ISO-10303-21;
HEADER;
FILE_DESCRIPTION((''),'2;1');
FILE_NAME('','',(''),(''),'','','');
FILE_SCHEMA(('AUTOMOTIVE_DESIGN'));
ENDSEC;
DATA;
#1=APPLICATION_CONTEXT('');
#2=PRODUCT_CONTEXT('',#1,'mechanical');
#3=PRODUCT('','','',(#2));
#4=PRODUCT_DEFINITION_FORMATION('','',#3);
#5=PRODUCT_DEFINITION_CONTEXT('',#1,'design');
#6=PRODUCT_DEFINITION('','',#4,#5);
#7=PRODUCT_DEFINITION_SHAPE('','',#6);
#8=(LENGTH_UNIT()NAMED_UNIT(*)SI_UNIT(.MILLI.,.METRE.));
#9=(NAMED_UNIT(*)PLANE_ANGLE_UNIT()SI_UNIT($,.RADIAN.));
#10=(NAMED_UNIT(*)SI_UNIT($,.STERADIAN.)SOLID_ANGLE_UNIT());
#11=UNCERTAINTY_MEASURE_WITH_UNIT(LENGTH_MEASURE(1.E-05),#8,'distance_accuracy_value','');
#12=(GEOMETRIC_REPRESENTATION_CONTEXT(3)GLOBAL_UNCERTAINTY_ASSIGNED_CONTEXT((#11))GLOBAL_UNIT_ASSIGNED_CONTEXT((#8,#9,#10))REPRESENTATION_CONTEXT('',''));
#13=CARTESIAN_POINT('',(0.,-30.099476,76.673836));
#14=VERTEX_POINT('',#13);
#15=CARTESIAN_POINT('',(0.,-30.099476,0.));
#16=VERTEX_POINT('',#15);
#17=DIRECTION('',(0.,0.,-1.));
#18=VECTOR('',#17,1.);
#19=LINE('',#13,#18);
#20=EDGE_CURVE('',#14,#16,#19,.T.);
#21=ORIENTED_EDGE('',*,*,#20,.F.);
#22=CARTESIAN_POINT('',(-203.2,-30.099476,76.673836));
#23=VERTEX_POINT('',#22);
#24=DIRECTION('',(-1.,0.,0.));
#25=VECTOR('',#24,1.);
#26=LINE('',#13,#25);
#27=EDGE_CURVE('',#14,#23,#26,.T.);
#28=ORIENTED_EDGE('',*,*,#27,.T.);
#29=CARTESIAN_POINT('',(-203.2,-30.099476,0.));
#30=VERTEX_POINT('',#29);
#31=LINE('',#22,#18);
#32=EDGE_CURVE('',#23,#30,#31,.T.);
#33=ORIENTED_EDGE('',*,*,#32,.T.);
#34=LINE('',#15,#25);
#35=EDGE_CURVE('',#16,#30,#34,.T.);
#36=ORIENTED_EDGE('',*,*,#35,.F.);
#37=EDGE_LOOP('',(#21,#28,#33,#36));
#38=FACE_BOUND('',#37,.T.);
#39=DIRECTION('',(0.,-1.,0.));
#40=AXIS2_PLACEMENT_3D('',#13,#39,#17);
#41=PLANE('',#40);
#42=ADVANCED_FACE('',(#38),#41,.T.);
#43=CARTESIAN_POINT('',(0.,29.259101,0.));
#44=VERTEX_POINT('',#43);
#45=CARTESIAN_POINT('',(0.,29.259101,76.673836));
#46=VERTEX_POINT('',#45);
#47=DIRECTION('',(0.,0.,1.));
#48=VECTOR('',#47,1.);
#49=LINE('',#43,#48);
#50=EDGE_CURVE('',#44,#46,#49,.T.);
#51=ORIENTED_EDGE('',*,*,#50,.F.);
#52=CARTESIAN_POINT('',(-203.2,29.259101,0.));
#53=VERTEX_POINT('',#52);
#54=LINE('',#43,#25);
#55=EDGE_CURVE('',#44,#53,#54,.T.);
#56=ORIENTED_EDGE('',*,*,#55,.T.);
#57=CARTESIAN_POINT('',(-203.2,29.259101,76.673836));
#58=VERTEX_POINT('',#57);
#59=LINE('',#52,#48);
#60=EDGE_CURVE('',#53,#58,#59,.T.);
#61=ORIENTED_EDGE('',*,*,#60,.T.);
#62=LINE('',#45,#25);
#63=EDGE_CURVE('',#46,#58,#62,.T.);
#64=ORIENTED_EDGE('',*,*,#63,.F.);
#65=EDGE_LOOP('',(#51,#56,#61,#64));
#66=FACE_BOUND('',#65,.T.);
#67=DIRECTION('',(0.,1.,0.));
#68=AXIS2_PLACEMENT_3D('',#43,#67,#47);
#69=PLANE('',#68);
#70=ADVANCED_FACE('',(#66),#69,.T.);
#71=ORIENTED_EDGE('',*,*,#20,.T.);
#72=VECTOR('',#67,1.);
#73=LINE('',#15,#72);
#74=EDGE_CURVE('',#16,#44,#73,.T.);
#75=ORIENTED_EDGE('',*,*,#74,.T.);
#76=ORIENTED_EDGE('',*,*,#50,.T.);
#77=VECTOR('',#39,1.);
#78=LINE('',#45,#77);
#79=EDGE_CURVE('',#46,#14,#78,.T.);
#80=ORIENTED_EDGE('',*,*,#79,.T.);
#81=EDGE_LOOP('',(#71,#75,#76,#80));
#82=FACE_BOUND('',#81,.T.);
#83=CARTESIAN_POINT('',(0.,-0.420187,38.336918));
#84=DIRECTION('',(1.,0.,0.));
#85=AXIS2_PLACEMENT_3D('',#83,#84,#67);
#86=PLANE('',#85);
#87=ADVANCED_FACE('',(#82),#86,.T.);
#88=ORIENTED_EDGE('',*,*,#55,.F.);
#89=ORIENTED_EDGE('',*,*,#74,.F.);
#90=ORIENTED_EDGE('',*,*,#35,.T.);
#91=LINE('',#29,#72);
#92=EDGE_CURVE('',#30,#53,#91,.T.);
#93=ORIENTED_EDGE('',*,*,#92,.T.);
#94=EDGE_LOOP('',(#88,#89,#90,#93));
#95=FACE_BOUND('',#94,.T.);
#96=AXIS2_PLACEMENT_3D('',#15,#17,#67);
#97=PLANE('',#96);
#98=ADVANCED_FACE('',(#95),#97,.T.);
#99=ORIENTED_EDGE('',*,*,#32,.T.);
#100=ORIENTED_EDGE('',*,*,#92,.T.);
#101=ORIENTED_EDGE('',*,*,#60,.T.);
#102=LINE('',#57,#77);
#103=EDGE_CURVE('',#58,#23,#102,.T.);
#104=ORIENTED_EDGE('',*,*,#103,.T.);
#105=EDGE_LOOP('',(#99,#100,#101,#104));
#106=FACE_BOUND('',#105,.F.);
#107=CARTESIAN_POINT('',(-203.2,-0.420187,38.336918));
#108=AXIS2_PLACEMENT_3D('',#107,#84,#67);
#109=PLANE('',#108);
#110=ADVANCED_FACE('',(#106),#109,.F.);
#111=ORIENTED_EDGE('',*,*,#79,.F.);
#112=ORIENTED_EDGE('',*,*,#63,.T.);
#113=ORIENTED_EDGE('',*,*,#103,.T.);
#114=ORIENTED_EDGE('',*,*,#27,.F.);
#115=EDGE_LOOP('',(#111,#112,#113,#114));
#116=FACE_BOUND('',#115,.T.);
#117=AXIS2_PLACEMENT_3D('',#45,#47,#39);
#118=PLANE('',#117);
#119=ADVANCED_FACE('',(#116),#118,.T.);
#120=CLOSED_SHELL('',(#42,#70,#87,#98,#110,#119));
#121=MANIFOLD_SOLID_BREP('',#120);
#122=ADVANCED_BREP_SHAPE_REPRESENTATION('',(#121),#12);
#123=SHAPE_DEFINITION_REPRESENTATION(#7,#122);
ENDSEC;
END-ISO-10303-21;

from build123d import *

# Parameters (mm, degrees)
F1_DEPTH = 203.2


with BuildPart() as f1:
    # F0 (on Right) → F1 (new body)
    with BuildSketch(Plane.YZ):
        Polygon((-30.099476, 76.673836), (-30.099476, 0), (29.082524, 0), (29.259101, 0), (29.259101, 76.673836), align=None)
    extrude(amount=-F1_DEPTH)


solid = f1.part
